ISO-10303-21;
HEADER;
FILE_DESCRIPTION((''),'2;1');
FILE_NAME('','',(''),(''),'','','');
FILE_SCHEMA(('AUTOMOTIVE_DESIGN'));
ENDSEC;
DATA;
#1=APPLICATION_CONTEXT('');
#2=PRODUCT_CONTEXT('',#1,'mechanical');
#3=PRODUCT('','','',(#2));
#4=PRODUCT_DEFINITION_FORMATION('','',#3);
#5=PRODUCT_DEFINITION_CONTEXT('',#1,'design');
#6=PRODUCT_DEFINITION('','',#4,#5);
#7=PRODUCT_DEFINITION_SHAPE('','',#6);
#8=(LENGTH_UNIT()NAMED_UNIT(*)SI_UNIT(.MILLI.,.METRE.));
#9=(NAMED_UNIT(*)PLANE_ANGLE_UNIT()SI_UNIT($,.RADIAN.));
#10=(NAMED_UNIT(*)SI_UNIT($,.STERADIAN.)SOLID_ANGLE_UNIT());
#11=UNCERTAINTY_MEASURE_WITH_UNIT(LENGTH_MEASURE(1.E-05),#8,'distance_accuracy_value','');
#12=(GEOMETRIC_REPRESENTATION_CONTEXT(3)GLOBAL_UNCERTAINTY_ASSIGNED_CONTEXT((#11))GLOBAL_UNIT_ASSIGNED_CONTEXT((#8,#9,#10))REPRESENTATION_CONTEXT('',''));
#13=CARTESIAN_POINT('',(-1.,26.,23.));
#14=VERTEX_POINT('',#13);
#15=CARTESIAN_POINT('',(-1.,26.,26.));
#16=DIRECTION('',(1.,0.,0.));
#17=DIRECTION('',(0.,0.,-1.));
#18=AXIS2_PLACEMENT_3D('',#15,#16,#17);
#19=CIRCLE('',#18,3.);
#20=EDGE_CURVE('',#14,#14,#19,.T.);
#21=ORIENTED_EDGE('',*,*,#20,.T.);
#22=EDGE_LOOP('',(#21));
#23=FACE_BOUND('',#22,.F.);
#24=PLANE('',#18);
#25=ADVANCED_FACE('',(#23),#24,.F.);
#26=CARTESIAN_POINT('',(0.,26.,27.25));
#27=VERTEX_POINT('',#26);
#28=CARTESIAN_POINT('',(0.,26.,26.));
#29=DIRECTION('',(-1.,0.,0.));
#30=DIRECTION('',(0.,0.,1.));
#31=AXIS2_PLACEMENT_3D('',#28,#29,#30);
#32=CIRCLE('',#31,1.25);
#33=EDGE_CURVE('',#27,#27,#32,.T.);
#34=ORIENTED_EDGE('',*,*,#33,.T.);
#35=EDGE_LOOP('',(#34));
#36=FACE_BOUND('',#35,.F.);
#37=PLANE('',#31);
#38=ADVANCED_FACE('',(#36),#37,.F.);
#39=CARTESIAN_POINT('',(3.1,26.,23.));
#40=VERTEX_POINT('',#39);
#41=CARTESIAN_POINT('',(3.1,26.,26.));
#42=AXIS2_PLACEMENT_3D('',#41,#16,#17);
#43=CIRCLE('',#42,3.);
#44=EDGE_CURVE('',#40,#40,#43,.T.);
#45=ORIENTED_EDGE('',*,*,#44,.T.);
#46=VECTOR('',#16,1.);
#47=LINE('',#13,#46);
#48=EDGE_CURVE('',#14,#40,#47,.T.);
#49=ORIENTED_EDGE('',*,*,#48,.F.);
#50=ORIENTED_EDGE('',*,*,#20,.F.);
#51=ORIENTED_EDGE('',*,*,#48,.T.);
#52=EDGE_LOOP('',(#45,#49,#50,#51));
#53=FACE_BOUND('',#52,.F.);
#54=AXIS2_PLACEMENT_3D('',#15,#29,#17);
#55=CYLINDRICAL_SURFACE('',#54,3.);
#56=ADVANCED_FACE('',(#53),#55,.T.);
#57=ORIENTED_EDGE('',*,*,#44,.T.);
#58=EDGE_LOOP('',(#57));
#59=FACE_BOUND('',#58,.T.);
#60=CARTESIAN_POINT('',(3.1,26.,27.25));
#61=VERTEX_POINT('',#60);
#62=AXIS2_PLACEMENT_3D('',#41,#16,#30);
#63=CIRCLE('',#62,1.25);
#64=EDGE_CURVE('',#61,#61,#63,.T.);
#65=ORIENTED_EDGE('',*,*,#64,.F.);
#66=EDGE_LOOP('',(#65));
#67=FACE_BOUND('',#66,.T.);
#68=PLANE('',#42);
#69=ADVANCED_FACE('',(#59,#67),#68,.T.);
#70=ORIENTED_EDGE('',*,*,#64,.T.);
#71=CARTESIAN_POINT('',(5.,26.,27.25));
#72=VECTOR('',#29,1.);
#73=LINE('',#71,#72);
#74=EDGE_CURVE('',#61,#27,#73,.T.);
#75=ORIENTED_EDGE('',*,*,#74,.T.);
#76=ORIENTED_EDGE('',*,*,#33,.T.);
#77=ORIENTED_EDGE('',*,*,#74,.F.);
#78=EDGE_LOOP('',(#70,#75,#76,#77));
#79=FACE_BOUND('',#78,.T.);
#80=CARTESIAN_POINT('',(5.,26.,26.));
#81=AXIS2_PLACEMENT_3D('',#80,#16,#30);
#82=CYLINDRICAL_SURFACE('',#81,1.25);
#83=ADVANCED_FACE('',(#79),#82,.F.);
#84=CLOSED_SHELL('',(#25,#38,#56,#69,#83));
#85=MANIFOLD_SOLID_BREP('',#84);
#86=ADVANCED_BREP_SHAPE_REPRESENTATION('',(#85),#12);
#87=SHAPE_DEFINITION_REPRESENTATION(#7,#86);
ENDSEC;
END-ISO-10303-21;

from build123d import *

# Parameters (mm, degrees)
CYLINDER064_R     = 1.25
CYLINDER064_DEPTH = 5
CYLINDER045_R     = 3
CYLINDER045_DEPTH = 4.1


with BuildPart() as b_w011:
    # Cylinder064 → Cylinder064 (new body)
    with BuildSketch(Plane(origin=(5, 26, 26), x_dir=(0, 0, 1), z_dir=(-1, 0, 0))):
        Circle(CYLINDER064_R)
    extrude(amount=CYLINDER064_DEPTH)


with BuildPart() as cut028:
    # Cylinder045 → Cylinder045 (new body)
    with BuildSketch(Plane(origin=(-1, 26, 26), x_dir=(0, 0, -1), z_dir=(1, 0, 0))):
        Circle(CYLINDER045_R)
    extrude(amount=CYLINDER045_DEPTH)

    # Cut028: cut B_W011
    add(b_w011.part, mode=Mode.SUBTRACT)


solid = cut028.part
